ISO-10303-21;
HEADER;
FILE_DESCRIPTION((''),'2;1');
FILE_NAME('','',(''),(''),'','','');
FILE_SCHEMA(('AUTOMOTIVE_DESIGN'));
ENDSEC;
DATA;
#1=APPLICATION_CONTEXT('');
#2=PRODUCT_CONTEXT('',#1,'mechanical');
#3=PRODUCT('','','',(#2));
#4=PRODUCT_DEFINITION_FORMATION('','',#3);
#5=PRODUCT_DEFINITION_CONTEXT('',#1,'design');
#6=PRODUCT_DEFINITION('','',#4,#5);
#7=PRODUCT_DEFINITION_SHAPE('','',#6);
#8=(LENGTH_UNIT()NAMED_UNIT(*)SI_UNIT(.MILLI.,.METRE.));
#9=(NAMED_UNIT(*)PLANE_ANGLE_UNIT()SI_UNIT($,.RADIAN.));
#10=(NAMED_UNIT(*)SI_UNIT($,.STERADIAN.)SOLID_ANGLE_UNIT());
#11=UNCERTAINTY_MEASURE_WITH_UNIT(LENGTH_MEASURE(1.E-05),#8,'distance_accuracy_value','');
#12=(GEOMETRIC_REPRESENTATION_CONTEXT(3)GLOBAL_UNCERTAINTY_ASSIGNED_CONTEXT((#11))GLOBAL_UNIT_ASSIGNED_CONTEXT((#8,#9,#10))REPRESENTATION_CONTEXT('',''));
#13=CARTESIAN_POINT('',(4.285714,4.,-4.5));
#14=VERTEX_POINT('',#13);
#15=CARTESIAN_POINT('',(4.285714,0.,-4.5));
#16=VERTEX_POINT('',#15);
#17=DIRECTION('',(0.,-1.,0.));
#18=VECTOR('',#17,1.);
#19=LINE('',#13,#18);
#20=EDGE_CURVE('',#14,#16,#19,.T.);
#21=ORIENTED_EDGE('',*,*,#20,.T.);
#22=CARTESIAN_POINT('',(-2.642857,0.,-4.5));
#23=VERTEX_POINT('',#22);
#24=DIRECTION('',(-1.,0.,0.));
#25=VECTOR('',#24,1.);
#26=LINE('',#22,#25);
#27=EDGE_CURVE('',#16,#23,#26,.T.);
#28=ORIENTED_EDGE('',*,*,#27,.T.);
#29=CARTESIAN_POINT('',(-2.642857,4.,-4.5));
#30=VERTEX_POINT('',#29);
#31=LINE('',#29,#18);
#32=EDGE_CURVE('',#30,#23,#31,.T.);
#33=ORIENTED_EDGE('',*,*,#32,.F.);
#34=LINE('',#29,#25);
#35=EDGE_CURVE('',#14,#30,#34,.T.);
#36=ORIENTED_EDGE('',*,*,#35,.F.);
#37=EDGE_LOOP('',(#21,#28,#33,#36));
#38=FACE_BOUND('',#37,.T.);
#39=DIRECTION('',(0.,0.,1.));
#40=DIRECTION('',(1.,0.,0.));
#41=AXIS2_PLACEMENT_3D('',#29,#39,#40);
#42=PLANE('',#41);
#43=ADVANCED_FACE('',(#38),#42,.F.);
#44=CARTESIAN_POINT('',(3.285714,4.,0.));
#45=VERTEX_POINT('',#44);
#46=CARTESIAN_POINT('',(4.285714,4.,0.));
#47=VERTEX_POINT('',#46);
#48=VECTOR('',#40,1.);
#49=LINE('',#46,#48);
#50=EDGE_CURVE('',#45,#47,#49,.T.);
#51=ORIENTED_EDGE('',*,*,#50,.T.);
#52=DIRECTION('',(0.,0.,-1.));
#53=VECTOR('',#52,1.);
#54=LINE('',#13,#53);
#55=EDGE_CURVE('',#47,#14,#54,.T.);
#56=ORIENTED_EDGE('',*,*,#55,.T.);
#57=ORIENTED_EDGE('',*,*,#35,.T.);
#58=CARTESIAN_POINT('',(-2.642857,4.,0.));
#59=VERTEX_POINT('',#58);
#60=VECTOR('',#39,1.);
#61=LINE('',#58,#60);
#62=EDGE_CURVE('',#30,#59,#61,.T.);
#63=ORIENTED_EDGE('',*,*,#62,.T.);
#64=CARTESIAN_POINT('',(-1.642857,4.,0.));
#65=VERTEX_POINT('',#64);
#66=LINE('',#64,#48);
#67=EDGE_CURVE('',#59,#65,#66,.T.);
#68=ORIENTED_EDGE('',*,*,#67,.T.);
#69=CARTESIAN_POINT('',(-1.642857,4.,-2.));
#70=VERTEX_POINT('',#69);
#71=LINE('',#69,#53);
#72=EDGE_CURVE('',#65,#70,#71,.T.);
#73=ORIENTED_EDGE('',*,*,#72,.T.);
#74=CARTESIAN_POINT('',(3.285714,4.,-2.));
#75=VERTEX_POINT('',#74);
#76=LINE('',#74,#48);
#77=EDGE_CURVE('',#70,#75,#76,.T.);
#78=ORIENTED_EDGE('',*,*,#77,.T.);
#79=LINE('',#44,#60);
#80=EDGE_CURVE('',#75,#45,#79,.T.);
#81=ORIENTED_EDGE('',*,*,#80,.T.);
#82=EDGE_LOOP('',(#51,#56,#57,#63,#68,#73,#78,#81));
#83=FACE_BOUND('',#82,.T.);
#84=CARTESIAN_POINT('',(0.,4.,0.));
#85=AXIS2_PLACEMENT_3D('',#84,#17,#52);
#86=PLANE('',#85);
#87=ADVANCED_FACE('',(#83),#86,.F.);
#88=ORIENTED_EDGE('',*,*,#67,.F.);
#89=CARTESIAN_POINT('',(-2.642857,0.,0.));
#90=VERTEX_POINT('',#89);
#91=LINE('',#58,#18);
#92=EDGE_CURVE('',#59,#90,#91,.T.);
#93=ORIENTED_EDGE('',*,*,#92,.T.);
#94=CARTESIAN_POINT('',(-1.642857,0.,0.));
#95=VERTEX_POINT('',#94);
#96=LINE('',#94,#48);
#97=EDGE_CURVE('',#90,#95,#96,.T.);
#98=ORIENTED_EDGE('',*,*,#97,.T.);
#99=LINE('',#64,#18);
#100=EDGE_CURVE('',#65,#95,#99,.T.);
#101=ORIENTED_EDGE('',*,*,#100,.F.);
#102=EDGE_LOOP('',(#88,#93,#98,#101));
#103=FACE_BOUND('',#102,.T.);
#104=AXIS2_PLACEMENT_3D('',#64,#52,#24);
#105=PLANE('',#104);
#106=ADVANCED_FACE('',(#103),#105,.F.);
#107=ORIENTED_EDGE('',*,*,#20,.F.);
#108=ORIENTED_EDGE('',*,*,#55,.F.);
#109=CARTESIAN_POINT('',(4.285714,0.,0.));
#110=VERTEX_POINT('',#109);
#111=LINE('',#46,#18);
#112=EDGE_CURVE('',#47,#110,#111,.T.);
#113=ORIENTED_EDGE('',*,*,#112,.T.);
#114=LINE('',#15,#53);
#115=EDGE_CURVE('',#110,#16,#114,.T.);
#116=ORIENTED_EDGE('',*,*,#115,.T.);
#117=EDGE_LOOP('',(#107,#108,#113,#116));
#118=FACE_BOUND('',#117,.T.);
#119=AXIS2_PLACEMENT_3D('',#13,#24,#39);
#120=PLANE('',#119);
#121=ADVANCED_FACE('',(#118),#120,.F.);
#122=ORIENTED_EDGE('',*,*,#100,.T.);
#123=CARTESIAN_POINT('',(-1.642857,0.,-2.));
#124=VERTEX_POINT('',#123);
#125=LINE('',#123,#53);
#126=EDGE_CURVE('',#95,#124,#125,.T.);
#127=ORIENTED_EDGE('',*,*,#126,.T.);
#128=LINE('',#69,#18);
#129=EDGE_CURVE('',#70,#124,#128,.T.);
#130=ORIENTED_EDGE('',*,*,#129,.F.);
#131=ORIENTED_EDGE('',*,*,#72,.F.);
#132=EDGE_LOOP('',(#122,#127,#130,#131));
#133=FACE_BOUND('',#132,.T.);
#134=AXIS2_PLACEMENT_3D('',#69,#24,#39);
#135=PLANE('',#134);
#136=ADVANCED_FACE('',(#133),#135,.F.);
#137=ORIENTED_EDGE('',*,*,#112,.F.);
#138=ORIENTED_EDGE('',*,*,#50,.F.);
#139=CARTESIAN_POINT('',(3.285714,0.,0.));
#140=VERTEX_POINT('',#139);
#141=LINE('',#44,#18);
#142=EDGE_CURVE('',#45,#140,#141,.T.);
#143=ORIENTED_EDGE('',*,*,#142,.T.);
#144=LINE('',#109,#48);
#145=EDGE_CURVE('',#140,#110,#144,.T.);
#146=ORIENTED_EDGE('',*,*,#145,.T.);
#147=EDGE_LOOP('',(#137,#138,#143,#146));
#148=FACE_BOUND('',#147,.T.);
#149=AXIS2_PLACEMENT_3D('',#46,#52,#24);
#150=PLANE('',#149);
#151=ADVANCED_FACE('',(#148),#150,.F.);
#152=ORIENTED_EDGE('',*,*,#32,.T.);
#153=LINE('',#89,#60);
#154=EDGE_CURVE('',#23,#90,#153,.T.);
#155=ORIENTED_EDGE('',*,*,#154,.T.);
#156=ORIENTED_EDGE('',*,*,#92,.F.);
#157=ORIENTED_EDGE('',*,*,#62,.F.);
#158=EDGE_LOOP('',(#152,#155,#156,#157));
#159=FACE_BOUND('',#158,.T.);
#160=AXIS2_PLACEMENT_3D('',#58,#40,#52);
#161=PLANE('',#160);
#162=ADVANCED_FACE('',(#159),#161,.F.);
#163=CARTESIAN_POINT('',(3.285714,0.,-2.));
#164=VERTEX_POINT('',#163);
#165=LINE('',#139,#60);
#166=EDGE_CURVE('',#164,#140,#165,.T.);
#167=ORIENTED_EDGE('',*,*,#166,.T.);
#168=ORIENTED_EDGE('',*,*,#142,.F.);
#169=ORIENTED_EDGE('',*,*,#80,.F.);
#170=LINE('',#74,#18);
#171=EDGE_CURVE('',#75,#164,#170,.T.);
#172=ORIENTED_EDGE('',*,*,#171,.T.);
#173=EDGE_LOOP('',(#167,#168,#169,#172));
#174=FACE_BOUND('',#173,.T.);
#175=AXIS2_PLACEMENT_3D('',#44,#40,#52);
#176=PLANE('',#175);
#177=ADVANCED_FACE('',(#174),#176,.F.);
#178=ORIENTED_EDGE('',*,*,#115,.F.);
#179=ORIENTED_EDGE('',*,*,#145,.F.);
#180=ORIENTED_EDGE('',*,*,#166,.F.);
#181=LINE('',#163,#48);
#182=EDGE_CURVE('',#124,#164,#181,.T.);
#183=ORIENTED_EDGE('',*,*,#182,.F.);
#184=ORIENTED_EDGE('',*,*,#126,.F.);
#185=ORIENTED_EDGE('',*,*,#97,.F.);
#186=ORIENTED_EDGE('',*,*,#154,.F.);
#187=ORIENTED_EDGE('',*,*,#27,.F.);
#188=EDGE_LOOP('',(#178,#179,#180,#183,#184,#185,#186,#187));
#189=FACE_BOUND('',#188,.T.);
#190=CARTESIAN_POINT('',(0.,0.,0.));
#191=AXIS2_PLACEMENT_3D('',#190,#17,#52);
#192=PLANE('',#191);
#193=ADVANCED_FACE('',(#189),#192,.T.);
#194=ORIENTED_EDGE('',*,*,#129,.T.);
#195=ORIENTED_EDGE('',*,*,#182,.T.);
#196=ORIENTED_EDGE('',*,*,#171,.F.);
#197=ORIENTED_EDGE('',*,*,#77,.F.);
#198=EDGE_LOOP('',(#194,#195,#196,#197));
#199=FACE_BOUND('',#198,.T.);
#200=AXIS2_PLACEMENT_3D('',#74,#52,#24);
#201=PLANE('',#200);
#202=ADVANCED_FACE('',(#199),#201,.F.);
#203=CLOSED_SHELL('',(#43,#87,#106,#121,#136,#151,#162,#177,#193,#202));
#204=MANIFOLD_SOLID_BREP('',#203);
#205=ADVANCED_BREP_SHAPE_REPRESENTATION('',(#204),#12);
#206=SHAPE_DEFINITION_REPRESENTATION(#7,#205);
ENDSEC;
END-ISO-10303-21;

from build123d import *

# Parameters (mm, degrees)
BOSS_EXTRUDE1_DEPTH = 4


with BuildPart() as part:
    # Sketch2 → Boss-Extrude1 (new body)
    with BuildSketch(Plane(origin=(0, 0, 0), x_dir=(1, 0, 0), z_dir=(0, 1, 0))):
        Polygon((-2.642857143, 0), (-2.642857143, 4.5), (4.285714286, 4.5), (4.285714286, 0), (3.285714286, 0), (3.285714286, 2), (-1.642857143, 2), (-1.642857143, 0), align=None)
    extrude(amount=BOSS_EXTRUDE1_DEPTH)


solid = part.part
